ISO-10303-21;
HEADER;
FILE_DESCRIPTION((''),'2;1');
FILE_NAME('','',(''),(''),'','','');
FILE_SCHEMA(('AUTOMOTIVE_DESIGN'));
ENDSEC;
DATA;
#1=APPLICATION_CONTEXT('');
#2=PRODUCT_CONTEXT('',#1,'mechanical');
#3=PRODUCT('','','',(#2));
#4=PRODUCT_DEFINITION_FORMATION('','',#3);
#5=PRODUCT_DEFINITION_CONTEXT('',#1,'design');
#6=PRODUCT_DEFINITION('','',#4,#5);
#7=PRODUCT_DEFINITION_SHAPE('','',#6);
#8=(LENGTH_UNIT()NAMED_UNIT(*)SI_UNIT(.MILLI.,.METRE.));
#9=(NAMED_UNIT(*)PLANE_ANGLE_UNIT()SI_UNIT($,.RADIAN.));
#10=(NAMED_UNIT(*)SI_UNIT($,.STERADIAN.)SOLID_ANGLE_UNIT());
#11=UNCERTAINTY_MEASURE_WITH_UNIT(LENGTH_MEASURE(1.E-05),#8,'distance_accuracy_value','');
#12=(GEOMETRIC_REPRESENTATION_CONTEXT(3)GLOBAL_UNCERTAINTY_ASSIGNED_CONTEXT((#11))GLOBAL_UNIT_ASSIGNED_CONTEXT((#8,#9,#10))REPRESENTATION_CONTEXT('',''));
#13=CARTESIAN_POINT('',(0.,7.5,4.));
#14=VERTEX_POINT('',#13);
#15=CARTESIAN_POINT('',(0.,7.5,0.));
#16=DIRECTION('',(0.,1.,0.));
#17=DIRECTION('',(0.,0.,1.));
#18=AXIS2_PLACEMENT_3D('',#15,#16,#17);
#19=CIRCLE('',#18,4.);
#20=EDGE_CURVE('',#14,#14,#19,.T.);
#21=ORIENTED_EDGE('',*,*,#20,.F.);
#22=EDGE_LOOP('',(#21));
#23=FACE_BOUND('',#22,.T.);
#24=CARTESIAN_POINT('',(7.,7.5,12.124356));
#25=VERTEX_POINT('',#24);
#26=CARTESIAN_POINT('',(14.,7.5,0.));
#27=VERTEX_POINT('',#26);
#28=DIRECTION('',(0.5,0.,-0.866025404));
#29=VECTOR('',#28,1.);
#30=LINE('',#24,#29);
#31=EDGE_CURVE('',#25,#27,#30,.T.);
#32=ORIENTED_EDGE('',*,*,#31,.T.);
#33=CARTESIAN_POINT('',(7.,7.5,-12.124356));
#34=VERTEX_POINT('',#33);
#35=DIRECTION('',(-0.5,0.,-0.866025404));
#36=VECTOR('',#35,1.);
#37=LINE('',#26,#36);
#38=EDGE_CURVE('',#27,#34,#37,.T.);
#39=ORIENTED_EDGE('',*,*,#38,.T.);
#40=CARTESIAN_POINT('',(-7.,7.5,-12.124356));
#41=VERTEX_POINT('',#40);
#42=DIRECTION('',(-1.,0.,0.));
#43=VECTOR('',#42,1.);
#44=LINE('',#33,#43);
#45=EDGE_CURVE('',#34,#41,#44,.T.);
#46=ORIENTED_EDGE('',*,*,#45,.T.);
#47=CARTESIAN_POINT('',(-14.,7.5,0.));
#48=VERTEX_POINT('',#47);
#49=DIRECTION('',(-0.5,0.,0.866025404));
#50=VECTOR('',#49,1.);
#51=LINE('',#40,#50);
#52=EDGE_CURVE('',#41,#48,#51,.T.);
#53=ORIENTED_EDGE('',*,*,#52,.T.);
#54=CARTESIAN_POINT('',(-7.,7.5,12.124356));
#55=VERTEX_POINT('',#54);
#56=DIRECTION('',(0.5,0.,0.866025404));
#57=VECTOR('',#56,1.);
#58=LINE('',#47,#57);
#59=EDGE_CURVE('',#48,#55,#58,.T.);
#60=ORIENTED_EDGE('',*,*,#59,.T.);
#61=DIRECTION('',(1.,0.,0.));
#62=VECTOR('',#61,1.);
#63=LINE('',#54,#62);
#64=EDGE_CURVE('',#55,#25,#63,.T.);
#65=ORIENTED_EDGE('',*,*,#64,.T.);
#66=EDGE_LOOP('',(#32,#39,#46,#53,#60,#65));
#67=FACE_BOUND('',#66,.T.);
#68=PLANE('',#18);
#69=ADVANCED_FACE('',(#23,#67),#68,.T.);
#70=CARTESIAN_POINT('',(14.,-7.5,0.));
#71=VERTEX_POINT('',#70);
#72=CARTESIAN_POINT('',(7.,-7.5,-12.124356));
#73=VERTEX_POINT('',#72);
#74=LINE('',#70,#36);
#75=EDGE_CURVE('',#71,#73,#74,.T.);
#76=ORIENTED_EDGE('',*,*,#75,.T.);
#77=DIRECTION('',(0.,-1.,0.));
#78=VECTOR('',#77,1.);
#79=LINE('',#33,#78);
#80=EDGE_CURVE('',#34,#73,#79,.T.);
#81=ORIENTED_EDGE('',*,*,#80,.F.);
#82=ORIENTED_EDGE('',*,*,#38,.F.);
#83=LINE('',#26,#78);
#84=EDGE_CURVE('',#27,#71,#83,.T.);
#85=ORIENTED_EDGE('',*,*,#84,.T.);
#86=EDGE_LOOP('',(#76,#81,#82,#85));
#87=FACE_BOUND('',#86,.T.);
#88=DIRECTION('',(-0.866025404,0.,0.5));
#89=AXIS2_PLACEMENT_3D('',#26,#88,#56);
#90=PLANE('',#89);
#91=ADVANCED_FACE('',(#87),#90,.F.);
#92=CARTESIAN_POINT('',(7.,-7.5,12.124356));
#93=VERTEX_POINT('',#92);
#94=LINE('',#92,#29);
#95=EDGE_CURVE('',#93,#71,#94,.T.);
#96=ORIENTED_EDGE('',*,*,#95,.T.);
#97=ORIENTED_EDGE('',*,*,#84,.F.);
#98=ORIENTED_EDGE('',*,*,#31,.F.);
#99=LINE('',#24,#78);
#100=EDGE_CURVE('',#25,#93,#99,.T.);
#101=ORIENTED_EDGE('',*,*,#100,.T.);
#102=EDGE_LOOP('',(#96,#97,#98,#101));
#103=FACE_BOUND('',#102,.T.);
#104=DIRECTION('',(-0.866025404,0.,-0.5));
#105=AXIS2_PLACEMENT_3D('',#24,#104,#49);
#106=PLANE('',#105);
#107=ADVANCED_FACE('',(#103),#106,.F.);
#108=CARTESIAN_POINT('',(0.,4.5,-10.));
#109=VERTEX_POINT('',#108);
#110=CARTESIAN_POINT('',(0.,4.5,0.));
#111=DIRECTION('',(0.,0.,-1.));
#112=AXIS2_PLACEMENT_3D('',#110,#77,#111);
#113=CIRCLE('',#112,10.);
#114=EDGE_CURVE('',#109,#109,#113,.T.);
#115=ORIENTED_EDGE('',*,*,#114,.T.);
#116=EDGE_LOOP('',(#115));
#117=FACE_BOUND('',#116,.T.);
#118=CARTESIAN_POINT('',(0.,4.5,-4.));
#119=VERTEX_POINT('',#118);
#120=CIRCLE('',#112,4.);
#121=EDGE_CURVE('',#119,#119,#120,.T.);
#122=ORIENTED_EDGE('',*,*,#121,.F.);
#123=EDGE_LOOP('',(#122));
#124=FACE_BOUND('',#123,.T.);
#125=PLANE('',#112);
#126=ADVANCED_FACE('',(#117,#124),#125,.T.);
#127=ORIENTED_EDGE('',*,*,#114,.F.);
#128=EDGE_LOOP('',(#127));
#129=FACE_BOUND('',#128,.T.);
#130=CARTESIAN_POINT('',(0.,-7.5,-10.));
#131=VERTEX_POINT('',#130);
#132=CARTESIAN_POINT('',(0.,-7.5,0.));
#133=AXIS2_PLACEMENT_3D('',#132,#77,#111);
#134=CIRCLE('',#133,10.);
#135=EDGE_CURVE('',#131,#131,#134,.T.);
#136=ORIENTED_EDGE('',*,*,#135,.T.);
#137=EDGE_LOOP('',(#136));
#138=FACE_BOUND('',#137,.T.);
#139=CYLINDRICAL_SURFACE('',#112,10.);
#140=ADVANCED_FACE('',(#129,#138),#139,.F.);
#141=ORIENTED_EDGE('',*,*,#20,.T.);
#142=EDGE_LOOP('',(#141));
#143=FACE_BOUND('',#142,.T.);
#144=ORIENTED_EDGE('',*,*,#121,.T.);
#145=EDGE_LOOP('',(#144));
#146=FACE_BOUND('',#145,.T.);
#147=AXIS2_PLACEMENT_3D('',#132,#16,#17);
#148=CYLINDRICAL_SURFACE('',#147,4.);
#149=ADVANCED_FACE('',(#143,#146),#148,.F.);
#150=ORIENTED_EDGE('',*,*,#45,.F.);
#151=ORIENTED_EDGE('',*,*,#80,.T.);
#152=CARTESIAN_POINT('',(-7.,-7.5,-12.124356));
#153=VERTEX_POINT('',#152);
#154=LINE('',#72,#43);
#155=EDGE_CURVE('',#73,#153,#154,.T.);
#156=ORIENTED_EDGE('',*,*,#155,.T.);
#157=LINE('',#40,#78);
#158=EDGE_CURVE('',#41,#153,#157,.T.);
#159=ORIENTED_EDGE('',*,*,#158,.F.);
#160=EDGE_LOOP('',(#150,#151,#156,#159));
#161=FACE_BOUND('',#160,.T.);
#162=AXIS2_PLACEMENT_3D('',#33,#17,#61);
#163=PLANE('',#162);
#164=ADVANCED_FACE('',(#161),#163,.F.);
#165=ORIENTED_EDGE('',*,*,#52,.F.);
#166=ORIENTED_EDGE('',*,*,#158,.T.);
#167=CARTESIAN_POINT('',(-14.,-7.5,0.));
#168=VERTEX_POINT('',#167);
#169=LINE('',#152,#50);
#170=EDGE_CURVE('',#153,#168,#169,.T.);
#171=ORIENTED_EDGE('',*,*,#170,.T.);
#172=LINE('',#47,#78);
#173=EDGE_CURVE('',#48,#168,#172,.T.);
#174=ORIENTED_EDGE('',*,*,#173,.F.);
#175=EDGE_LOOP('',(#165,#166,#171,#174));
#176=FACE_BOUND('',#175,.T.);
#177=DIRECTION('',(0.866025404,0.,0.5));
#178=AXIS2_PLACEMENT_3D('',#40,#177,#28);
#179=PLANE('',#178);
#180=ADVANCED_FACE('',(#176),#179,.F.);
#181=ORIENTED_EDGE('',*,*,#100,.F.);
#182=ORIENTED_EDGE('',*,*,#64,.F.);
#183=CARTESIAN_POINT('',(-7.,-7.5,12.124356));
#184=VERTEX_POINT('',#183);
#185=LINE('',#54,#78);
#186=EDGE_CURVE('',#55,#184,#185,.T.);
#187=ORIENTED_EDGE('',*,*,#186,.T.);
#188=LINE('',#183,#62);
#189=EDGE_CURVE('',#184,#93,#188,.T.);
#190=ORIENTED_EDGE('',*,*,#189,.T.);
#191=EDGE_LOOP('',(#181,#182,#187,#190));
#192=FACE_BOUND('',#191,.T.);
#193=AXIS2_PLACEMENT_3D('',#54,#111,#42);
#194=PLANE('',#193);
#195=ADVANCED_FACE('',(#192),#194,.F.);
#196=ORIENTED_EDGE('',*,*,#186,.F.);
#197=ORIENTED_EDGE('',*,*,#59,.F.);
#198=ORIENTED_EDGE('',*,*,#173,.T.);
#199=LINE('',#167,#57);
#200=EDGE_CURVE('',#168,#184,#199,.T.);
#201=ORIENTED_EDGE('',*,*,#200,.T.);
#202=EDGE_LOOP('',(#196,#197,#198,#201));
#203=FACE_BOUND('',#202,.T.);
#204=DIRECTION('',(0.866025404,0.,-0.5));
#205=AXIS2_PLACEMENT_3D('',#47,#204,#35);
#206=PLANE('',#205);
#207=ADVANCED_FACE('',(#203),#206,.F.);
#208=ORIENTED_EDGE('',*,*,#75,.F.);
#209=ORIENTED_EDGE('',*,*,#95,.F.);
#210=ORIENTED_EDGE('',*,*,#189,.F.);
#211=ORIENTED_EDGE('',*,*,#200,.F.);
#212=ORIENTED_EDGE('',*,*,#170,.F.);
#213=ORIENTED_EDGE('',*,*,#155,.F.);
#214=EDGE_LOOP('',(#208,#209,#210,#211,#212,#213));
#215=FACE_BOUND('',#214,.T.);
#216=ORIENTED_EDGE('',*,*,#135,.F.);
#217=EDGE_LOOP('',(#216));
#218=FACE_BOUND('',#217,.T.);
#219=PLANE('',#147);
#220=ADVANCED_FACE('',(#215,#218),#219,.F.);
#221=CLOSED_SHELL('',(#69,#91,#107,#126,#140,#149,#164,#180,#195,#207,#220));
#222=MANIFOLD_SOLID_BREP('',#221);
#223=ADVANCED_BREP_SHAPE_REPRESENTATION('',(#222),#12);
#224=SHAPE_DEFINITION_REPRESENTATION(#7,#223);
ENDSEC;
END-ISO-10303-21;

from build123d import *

# Parameters (mm, degrees)
BOSS_EXTRUDE1_DEPTH = 7.5
SKETCH2_R           = 10
CUT_EXTRUDE2_DEPTH  = 12
SKETCH3_R           = 4
CUT_EXTRUDE3_DEPTH  = 16


with BuildPart() as part:
    # Sketch1 → Boss-Extrude1 (new body, symmetric)
    with BuildSketch(Plane(origin=(0, 0, 0), x_dir=(1, 0, 0), z_dir=(0, 1, 0))):
        Polygon((-14, 0), (-7, -12.124355653), (7, -12.124355653), (14, 0), (7, 12.124355653), (-7, 12.124355653), align=None)
    extrude(amount=BOSS_EXTRUDE1_DEPTH, both=True)

    # Sketch2 → Cut-Extrude2 (cut)
    with BuildSketch(Plane.XZ.offset(7.5)):
        Circle(SKETCH2_R)
    extrude(amount=-CUT_EXTRUDE2_DEPTH, mode=Mode.SUBTRACT)

    # Sketch3 → Cut-Extrude3 (cut, through all)
    with BuildSketch(Plane(origin=(0, 7.5, 0), x_dir=(1, 0, 0), z_dir=(0, 1, 0))):
        Circle(SKETCH3_R)
    extrude(amount=-CUT_EXTRUDE3_DEPTH, mode=Mode.SUBTRACT)


solid = part.part
